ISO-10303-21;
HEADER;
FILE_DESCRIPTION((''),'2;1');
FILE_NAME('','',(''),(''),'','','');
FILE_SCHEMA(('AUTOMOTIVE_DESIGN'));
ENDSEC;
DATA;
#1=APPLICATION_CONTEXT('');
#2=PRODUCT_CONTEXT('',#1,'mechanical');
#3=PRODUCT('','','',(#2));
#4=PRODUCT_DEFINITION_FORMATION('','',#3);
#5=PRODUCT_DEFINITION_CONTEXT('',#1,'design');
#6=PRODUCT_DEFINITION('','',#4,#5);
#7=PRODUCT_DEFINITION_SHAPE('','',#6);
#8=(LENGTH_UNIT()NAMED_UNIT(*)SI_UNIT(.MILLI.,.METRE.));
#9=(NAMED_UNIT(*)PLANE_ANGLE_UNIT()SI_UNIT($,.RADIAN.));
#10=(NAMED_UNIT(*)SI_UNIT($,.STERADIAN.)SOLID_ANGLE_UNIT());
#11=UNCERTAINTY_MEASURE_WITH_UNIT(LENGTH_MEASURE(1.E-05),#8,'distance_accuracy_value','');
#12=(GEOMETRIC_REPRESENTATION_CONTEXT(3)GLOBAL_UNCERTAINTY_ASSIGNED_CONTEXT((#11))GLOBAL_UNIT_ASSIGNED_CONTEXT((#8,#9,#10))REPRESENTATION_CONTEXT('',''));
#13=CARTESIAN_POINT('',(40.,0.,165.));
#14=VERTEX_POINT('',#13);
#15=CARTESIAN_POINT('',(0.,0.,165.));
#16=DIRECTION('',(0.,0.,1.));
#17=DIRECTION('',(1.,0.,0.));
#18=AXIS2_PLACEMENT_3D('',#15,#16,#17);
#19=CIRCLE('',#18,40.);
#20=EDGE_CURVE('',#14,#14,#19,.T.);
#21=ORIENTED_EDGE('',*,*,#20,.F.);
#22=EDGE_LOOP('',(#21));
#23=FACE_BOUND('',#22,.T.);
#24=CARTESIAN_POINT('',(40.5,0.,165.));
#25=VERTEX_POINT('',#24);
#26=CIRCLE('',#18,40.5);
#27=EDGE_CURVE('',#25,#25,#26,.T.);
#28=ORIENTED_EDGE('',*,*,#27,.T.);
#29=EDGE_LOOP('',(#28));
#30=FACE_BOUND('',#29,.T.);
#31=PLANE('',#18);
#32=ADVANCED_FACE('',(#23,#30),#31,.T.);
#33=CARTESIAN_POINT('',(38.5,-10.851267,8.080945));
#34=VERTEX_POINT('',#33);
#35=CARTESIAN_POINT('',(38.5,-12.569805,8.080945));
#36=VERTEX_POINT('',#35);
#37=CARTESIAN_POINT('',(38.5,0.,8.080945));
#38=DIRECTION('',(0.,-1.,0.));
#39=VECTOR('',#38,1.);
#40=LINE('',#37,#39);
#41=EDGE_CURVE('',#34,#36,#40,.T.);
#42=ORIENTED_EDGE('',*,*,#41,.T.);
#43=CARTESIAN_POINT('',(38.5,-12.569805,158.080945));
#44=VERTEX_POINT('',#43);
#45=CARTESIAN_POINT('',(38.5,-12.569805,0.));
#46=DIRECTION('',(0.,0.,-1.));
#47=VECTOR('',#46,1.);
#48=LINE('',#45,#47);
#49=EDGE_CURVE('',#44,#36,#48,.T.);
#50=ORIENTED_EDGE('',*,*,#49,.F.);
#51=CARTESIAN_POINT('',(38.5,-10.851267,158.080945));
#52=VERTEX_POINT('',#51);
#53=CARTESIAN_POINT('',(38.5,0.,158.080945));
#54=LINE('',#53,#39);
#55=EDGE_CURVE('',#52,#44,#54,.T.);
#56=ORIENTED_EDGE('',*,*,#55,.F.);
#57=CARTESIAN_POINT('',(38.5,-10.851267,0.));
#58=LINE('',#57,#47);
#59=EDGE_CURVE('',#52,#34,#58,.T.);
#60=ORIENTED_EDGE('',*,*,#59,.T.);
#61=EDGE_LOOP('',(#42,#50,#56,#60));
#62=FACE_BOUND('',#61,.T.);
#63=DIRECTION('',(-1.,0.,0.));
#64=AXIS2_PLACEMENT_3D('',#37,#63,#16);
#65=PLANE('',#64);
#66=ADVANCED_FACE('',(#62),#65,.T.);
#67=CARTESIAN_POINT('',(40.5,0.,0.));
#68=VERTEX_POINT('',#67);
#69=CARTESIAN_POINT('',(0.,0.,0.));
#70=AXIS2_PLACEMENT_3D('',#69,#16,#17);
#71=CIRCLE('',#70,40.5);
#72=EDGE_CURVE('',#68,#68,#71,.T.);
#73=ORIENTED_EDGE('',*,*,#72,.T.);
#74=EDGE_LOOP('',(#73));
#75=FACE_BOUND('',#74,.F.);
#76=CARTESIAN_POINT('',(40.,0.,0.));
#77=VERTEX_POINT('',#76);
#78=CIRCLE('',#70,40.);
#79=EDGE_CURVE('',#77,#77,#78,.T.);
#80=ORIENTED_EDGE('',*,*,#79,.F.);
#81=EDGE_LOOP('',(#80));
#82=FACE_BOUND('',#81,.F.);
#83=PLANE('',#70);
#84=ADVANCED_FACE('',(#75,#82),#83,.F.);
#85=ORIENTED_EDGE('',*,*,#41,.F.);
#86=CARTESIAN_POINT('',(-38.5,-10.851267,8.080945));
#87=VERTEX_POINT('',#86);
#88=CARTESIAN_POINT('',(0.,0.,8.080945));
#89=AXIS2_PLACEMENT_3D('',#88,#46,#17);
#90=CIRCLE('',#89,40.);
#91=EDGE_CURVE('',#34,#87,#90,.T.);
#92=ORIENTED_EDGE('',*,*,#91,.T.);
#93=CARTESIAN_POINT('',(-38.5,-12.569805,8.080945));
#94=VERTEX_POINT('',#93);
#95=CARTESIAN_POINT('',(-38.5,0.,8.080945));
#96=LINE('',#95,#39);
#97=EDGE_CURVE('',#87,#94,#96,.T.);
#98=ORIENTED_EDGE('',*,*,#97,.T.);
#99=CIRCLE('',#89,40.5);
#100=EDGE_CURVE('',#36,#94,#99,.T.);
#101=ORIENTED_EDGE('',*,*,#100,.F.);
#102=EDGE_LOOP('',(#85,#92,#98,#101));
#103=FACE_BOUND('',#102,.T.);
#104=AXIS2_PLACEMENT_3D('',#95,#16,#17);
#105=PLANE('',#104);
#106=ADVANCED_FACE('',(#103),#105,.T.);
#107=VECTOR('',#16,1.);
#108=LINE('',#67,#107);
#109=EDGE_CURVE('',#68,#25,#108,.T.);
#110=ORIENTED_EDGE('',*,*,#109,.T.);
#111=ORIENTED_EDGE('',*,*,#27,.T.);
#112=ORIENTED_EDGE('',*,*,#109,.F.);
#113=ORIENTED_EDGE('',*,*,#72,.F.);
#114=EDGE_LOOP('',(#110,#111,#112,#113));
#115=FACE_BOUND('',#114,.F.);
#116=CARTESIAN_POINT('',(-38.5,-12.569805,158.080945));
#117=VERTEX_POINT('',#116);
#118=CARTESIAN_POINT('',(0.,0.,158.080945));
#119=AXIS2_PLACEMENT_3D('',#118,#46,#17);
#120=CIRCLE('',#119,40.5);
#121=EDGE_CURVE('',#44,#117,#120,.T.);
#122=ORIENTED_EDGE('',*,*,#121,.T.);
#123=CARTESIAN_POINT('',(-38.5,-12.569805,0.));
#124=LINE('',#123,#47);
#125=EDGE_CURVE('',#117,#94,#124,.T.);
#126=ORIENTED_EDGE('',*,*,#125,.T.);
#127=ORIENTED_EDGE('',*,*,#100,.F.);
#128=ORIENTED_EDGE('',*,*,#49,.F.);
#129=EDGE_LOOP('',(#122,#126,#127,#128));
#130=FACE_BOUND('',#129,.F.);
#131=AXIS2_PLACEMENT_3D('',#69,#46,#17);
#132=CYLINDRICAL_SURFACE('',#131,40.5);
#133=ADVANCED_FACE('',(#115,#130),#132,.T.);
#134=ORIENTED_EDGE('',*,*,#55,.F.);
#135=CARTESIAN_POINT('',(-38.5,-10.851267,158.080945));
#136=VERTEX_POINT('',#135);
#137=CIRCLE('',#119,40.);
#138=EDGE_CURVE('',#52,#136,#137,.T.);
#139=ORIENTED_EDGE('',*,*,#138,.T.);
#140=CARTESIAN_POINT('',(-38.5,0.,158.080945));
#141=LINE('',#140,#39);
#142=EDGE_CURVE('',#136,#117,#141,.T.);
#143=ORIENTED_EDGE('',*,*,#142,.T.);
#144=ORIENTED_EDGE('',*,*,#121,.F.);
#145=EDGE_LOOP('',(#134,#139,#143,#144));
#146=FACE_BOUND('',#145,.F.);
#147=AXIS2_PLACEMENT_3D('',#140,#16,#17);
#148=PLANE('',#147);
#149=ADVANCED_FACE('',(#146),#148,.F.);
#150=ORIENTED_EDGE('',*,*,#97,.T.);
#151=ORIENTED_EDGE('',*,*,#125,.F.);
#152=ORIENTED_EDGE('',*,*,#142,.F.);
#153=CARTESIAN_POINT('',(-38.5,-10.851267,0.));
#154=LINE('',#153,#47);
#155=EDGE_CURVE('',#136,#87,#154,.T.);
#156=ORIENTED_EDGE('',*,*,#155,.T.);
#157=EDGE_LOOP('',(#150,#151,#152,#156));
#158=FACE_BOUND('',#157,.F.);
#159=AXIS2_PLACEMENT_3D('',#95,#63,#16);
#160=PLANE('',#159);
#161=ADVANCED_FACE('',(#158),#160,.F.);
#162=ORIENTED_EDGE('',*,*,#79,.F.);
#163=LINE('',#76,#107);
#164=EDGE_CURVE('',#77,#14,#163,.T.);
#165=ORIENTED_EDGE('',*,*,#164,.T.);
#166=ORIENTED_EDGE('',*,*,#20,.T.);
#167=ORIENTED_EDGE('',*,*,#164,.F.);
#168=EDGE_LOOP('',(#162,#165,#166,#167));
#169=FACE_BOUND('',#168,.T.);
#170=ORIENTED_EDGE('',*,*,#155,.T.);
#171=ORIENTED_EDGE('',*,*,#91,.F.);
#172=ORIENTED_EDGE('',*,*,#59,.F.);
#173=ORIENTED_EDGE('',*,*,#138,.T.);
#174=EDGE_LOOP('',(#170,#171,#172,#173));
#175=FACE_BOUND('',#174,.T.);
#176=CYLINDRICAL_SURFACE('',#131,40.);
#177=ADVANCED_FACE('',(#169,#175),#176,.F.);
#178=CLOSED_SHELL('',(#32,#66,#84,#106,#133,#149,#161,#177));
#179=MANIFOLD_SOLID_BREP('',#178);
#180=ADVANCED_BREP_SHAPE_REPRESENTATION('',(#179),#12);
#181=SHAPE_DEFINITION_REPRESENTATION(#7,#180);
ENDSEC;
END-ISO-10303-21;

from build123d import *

# Parameters (mm, degrees)
F0_R     = 40.5
F1_DEPTH = 165
F2_W     = 77
F2_H     = 150
F3_DEPTH = 50.000001
F4_T     = -1.5
F5_R     = 40
F6_DEPTH = 165


with BuildPart() as f1:
    # F0 (on Top) → F1 (new body)
    with BuildSketch(Plane.XY):
        Circle(F0_R)
    extrude(amount=F1_DEPTH)

    # F2 (on Front) → F3 (cut)
    with BuildSketch(Plane.XZ):
        with Locations((0, 83.080945)):
            Rectangle(F2_W, F2_H)
    extrude(amount=F3_DEPTH, mode=Mode.SUBTRACT)

    # F4
    f4_openings = [f1.faces().sort_by_distance(p)[0] for p in [
        (0, 0, 165),
    ]]
    offset(amount=F4_T, openings=f4_openings)

    # F5 (on Top) → F6 (cut)
    with BuildSketch(Plane.XY):
        Circle(F5_R)
    extrude(amount=F6_DEPTH, mode=Mode.SUBTRACT)


solid = f1.part
